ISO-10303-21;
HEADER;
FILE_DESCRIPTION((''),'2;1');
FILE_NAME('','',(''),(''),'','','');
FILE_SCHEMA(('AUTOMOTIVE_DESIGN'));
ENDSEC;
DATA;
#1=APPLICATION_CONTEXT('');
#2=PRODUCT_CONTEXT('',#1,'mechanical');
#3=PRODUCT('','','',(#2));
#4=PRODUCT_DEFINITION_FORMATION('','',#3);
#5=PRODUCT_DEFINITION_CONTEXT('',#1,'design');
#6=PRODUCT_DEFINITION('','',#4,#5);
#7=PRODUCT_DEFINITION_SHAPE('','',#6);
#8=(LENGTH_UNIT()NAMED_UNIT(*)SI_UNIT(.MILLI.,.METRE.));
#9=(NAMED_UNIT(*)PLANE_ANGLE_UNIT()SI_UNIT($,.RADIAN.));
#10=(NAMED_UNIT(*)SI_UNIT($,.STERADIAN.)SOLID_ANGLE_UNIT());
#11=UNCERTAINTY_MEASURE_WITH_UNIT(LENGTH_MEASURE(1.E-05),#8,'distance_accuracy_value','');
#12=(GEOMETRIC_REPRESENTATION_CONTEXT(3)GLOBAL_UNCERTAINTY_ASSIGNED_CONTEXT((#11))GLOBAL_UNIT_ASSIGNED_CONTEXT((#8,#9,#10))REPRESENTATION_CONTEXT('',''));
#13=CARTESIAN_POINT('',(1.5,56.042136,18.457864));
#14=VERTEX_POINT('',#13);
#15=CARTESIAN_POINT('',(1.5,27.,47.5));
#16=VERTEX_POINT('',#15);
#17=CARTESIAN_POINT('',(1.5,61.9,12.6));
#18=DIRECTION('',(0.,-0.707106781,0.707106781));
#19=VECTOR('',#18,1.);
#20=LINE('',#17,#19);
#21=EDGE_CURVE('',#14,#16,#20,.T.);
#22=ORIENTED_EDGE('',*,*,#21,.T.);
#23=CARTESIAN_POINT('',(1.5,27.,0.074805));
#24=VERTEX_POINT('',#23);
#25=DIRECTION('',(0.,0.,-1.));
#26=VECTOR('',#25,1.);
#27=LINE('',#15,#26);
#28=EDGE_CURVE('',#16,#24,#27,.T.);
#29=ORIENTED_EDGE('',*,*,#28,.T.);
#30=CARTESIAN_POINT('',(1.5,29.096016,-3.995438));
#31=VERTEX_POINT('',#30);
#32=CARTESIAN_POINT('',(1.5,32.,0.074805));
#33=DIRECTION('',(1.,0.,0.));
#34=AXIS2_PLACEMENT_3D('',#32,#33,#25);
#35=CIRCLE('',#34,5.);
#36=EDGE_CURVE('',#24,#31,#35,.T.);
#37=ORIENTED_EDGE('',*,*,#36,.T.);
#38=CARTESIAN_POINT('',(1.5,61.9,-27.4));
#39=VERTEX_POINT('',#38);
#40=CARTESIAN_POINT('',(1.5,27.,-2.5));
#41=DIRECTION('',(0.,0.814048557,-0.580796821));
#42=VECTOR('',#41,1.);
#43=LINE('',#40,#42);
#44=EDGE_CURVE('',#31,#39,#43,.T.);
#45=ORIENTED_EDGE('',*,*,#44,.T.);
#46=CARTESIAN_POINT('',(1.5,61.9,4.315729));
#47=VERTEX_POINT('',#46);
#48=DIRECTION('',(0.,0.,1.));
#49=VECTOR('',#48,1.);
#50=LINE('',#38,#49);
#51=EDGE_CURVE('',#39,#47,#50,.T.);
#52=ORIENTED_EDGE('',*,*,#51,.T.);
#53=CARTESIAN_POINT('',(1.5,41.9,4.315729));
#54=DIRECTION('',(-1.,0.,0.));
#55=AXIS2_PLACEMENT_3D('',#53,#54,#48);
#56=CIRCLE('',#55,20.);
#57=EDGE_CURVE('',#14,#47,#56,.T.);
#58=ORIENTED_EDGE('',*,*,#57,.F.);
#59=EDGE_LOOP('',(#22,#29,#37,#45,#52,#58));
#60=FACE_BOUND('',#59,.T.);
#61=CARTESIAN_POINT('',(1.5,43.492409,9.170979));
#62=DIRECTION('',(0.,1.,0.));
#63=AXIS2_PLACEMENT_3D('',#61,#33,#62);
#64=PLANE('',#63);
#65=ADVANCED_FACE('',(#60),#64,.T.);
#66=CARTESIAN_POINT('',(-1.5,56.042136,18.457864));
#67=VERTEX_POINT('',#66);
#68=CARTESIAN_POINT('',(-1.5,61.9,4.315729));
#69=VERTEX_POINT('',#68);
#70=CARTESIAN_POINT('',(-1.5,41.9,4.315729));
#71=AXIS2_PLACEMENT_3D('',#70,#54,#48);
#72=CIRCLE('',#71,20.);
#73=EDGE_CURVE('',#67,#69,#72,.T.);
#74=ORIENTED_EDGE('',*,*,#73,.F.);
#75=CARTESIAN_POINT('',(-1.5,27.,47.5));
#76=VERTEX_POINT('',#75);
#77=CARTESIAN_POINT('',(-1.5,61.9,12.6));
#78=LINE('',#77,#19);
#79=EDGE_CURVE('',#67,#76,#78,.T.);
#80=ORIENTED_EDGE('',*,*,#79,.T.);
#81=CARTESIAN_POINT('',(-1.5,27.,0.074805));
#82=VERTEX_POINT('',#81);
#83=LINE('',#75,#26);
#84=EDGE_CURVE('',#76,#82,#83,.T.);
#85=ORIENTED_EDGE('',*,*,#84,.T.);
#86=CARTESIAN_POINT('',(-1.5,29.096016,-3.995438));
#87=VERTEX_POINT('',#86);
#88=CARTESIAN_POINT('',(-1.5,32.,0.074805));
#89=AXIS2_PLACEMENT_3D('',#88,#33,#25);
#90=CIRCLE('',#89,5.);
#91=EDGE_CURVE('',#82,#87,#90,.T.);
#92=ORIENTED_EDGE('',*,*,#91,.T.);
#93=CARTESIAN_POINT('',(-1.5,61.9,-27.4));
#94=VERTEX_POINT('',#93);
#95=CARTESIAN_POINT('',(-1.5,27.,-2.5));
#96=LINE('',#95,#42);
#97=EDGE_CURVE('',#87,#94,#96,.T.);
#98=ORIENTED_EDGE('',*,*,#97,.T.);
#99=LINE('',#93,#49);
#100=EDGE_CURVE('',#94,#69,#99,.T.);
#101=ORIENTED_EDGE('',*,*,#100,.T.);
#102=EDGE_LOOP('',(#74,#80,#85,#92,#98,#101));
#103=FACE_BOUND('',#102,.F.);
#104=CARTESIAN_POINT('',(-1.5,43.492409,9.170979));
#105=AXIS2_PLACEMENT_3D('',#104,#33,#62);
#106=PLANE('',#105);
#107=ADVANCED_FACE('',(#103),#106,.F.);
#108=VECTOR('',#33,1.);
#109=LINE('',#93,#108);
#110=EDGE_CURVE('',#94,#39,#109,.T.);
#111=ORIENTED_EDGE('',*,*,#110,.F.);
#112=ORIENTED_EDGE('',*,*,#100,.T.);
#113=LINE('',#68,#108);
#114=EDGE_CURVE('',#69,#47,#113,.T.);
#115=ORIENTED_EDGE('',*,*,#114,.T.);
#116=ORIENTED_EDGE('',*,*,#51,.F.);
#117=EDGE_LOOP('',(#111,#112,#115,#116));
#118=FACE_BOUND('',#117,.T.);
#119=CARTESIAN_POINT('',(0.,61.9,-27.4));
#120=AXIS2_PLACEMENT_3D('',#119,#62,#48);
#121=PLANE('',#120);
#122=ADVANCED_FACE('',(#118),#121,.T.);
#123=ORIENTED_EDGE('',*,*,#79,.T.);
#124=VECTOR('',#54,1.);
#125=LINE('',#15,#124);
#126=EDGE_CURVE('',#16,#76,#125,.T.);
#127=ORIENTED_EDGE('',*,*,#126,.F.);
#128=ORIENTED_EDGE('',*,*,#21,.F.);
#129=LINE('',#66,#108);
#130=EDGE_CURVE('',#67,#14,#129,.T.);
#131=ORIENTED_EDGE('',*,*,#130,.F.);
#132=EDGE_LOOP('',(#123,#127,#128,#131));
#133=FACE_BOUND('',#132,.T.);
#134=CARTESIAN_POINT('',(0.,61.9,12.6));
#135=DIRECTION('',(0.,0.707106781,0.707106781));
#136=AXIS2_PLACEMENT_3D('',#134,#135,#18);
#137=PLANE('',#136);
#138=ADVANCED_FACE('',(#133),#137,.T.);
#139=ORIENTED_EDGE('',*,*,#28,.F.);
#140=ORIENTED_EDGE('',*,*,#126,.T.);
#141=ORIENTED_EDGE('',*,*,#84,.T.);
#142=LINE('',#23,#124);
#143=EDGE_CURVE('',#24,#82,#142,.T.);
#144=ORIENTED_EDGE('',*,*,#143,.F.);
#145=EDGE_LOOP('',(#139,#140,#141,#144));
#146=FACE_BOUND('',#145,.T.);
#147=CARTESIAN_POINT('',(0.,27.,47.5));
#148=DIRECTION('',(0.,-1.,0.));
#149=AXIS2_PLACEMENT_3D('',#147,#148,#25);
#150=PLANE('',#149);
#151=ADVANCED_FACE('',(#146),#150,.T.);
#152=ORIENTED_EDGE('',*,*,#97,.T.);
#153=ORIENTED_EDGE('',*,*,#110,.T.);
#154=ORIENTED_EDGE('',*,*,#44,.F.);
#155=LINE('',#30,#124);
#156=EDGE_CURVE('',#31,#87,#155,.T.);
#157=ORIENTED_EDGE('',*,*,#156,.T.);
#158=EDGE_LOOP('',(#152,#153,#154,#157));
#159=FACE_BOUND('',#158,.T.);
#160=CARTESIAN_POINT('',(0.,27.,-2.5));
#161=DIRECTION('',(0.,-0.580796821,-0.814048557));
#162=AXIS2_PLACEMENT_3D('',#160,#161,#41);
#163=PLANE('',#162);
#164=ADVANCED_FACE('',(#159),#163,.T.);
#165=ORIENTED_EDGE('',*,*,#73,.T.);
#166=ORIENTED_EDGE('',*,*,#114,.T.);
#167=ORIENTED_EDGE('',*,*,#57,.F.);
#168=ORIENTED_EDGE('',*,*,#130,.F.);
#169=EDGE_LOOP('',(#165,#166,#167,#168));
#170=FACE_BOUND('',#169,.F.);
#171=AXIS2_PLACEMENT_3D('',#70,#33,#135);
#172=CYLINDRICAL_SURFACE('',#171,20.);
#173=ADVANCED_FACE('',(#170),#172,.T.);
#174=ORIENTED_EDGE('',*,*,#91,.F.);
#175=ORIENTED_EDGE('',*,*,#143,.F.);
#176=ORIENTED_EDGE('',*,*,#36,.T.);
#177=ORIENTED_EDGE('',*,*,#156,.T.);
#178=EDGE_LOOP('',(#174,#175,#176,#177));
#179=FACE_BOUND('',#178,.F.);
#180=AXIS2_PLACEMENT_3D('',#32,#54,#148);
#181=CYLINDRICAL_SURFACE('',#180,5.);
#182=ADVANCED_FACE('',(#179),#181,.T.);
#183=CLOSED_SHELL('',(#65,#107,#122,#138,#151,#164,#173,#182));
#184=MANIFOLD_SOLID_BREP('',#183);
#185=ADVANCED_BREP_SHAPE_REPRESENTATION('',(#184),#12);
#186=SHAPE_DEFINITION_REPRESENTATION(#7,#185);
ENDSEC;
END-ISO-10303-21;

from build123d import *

# Parameters (mm, degrees)
PAD005_DEPTH = 1.5
FILLET004_R  = 20
FILLET005_R  = 5


with BuildPart() as part:
    # Sketch010 → Pad005 (new body, symmetric)
    with BuildSketch(Plane.YZ):
        Polygon((27, -2.5), (61.9, -27.3999999995), (61.9, 12.6000000005), (27, 47.5), align=None)
    extrude(amount=PAD005_DEPTH, both=True)

    # Fillet004
    fillet004_edges = [part.edges().sort_by_distance(p)[0] for p in [
        (0, 61.9, 12.6),
    ]]
    fillet(fillet004_edges, radius=FILLET004_R)

    # Fillet005
    fillet005_edges = [part.edges().sort_by_distance(p)[0] for p in [
        (0, 27, -2.5),
    ]]
    fillet(fillet005_edges, radius=FILLET005_R)


solid = part.part
